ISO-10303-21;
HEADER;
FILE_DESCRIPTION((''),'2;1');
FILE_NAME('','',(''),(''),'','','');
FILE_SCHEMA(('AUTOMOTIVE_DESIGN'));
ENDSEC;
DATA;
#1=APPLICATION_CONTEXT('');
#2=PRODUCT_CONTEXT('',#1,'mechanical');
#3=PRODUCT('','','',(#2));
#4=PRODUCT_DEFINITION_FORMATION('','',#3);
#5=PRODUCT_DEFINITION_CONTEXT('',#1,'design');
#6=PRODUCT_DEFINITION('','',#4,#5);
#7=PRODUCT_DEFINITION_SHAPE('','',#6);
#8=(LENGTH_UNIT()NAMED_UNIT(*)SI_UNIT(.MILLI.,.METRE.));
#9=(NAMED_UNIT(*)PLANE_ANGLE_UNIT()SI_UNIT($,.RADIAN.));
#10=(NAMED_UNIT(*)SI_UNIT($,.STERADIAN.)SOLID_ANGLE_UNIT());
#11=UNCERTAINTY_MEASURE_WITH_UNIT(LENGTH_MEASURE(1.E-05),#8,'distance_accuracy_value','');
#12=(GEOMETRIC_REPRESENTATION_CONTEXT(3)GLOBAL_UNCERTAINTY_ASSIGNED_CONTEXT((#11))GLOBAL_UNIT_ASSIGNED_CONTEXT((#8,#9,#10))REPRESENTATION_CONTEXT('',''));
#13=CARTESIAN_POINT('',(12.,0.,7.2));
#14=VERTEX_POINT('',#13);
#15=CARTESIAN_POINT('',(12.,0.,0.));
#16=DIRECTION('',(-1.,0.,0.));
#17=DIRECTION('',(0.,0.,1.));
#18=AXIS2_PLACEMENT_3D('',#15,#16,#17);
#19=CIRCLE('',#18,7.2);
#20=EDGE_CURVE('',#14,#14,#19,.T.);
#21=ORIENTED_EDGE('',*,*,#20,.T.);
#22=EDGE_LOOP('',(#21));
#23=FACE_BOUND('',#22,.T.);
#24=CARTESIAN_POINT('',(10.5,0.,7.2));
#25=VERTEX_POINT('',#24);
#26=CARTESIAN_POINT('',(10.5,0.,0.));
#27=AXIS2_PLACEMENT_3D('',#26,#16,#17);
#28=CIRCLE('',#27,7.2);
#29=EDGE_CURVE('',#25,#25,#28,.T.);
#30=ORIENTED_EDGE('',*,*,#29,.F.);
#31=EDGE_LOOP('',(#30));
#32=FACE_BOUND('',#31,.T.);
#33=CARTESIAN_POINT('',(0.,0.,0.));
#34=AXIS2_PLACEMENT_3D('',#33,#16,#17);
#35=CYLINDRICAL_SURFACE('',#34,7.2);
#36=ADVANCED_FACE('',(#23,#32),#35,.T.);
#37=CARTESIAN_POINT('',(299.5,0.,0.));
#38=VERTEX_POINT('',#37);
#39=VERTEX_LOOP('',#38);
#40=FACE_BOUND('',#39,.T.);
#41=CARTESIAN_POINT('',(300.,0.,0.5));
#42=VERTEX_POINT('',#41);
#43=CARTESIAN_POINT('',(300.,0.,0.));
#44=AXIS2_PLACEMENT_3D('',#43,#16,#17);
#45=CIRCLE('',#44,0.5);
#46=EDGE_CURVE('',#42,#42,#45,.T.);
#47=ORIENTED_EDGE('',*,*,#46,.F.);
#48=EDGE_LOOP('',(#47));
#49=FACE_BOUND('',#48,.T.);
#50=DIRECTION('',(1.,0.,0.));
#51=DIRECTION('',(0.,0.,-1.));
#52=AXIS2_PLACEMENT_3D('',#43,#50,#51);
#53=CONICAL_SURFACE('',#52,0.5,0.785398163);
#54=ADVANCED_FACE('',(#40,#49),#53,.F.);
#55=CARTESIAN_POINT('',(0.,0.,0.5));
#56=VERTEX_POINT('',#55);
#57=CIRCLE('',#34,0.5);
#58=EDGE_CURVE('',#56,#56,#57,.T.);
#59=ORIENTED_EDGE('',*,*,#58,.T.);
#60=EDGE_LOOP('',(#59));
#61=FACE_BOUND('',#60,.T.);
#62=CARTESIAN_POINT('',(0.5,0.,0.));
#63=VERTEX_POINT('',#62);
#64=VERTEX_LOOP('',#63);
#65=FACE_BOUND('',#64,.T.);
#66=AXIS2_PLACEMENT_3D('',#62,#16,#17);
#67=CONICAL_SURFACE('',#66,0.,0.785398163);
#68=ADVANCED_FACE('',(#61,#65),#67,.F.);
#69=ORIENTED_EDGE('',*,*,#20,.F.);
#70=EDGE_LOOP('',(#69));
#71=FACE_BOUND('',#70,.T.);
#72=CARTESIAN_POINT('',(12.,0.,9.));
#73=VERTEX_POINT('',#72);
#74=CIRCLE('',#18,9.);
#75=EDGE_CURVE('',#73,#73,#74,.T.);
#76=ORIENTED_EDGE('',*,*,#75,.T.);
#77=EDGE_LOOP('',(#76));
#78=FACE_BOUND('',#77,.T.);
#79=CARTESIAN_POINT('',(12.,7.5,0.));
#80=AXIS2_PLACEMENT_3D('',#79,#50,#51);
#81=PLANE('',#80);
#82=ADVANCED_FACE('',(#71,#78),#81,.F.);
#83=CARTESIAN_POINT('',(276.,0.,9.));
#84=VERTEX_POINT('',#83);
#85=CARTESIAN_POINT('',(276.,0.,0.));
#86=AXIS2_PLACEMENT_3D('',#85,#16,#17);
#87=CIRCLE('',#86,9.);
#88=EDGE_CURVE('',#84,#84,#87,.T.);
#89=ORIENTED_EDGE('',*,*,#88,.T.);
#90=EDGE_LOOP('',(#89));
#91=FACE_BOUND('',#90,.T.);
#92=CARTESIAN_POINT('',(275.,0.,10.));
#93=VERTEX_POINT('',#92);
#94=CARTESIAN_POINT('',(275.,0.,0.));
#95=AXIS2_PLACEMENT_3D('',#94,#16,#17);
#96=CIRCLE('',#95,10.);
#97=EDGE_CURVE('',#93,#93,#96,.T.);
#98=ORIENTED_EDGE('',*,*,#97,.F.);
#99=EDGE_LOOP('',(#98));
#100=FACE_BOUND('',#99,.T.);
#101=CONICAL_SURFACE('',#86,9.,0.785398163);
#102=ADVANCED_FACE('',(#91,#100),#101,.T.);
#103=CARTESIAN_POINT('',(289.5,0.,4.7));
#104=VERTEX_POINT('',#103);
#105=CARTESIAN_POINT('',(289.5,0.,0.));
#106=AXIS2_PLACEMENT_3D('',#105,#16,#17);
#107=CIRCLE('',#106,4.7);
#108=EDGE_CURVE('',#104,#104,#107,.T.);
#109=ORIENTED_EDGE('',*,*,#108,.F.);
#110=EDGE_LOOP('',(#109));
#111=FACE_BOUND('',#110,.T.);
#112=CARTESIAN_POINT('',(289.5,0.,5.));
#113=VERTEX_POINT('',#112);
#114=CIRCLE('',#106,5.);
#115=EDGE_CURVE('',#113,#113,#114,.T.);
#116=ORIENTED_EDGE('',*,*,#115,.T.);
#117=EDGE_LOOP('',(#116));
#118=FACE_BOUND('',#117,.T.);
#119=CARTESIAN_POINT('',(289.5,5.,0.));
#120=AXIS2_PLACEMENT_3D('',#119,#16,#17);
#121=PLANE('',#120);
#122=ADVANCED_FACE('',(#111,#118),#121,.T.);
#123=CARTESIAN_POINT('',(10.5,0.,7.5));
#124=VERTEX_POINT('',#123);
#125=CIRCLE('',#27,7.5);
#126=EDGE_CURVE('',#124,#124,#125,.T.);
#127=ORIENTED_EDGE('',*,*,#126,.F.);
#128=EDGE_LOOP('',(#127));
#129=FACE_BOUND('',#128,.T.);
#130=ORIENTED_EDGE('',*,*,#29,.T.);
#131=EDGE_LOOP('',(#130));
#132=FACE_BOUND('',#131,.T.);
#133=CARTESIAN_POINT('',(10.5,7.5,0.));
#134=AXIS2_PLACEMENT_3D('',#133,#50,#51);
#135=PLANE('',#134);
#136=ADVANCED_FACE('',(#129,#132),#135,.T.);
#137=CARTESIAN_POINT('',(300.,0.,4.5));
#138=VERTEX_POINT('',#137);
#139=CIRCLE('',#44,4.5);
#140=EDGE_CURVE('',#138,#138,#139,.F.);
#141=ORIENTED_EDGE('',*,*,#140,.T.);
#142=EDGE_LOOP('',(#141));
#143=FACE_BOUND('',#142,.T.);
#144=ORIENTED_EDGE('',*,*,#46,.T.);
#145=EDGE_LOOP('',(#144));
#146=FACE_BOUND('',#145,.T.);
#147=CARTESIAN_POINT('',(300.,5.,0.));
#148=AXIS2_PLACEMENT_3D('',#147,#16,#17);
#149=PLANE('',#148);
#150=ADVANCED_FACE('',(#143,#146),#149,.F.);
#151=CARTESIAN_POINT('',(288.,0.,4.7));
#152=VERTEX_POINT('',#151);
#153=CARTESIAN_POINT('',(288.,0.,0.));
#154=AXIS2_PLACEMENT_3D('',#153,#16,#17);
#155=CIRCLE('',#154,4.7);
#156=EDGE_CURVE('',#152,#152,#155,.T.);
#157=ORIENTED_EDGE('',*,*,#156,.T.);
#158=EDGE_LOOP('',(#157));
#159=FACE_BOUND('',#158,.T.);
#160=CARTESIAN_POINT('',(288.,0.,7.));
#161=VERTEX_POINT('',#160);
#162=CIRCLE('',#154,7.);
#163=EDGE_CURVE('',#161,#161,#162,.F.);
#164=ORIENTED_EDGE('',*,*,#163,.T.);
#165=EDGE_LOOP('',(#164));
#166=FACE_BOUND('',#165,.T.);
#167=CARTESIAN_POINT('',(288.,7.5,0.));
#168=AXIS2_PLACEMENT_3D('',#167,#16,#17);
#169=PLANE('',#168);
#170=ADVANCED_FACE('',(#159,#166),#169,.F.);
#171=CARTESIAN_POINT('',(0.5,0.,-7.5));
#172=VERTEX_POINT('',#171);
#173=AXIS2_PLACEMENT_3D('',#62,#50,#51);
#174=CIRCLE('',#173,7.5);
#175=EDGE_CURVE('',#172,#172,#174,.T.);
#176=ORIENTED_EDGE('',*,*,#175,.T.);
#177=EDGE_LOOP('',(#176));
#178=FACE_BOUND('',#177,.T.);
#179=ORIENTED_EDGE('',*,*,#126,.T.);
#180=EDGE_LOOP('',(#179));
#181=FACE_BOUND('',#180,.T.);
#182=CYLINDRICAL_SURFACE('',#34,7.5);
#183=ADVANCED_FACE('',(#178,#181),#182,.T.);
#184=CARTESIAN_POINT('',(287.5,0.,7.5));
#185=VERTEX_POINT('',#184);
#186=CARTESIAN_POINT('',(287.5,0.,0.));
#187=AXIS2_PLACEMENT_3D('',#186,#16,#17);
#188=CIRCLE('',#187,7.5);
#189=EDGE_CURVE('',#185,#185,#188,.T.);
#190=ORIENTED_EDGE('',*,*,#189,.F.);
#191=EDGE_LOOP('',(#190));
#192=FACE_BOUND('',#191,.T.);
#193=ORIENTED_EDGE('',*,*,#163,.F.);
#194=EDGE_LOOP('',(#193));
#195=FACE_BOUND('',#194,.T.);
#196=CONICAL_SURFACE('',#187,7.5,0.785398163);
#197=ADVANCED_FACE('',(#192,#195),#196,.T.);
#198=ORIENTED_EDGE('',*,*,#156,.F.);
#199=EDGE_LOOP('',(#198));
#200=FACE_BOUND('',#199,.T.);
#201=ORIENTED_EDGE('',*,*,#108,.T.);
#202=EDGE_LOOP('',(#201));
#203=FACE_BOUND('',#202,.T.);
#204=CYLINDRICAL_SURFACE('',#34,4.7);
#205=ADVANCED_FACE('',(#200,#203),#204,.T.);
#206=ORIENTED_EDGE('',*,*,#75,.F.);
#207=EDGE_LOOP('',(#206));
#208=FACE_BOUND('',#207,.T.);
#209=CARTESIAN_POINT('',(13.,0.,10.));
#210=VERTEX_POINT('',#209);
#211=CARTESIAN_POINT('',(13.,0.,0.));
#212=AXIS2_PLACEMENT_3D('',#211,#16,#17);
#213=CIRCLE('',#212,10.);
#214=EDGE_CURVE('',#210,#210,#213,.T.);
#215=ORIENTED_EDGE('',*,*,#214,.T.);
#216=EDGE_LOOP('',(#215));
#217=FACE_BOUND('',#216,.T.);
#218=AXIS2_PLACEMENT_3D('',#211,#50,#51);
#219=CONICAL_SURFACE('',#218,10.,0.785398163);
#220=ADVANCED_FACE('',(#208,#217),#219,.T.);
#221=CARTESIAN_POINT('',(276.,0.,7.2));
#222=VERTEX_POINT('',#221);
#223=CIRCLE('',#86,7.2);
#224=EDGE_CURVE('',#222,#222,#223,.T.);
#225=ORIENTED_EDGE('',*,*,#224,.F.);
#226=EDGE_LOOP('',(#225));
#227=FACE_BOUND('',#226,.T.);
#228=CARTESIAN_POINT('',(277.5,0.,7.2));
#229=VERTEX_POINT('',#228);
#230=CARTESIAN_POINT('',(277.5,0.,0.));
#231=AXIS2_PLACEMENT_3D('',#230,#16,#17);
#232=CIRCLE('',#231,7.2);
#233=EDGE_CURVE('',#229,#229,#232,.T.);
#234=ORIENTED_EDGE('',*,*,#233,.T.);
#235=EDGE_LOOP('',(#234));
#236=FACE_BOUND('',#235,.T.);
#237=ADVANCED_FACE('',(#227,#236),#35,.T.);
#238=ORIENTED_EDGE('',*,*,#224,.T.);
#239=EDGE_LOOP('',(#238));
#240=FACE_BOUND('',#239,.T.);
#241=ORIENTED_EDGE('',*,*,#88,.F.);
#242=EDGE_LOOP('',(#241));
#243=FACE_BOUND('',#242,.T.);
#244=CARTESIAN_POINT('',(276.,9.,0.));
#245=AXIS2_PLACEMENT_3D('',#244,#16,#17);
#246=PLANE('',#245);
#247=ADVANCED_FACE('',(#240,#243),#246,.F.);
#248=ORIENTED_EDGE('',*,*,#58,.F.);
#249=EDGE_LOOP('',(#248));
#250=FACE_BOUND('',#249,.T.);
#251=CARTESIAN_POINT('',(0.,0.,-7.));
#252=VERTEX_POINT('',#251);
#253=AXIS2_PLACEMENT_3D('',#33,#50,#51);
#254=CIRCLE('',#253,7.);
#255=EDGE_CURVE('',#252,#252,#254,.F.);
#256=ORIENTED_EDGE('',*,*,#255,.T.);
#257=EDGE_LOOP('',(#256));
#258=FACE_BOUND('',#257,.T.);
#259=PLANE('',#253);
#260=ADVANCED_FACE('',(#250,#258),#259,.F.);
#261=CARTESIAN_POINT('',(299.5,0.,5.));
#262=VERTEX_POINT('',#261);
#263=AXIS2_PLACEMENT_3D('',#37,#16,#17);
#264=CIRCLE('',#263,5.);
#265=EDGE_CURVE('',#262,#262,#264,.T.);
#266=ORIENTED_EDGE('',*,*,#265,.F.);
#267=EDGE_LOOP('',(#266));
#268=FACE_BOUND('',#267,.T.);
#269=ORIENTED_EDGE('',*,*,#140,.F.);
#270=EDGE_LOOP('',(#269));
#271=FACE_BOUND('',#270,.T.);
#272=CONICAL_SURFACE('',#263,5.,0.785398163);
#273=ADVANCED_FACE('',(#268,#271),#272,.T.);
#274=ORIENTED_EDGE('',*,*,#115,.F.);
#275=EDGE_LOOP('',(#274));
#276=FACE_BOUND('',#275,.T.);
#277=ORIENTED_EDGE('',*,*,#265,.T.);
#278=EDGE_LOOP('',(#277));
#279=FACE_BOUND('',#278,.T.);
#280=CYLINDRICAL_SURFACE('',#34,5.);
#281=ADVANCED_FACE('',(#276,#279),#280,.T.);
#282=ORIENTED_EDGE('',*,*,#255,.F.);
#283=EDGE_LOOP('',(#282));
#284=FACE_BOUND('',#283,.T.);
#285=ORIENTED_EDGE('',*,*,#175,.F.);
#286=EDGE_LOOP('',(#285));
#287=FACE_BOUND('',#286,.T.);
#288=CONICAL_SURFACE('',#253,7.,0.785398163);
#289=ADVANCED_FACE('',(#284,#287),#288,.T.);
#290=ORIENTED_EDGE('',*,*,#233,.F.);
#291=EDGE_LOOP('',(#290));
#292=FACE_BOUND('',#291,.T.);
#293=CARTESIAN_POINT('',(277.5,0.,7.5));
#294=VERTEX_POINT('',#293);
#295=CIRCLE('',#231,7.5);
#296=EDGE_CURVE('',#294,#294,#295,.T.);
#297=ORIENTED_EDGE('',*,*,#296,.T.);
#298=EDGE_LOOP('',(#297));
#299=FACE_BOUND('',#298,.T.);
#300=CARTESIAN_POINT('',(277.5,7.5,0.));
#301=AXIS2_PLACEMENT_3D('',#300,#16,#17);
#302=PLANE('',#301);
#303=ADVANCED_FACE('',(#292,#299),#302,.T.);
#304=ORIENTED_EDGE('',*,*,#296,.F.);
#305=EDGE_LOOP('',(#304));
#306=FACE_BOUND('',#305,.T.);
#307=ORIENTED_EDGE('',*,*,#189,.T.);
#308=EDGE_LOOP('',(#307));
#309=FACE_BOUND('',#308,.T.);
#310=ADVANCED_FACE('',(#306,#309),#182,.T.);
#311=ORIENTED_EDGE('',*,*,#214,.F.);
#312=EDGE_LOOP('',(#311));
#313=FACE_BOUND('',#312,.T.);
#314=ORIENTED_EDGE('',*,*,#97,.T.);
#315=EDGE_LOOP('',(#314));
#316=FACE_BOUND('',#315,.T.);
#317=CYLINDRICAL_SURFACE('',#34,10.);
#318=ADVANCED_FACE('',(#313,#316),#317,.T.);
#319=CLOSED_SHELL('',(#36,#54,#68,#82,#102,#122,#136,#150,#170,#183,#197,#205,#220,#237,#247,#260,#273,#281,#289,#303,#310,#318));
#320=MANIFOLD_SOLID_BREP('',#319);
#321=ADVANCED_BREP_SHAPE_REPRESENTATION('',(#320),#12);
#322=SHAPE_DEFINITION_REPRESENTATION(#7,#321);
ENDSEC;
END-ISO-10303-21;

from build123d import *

# Parameters (mm, degrees)
CHAMFER1_SIZE = 0.5
SKETCH3_W     = 1.5
SKETCH3_H     = 0.3


with BuildPart() as part:
    # Sketch1 → Revolve1 (revolve)
    with BuildSketch(Plane.XY):
        Polygon((0, 0), (0, 7.5), (12, 7.5), (12, 9), (13, 10), (275, 10), (276, 9), (276, 7.5), (288, 7.5), (288, 5), (300, 5), (300, 0), align=None)
    revolve(axis=Axis((0, 0, 0), (1, 0, 0)))

    # Chamfer1
    chamfer1_edges = [part.edges().sort_by_distance(p)[0] for p in [
        (300, -5, 0),
        (288, -7.5, 0),
        (0, -7.5, 0),
    ]]
    chamfer(chamfer1_edges, length=CHAMFER1_SIZE)

    # Sketch2 → Cut-Revolve1 (revolve, cut)
    with BuildSketch(Plane.XY):
        Polygon((0, 0), (0, 0.5), (0.5, 0), align=None)
        Polygon((300, 0), (300, 0.5), (299.5, 0), align=None)
    revolve(axis=Axis((0, 0, 0), (1, 0, 0)), mode=Mode.SUBTRACT)

    # Sketch3 → Cut-Revolve2 (revolve, cut)
    with BuildSketch(Plane.XY):
        with Locations((11.25, 7.35)):
            Rectangle(SKETCH3_W, SKETCH3_H)
        with Locations((276.75, 7.35)):
            Rectangle(SKETCH3_W, SKETCH3_H)
        with Locations((288.75, 4.85)):
            Rectangle(SKETCH3_W, SKETCH3_H)
    revolve(axis=Axis((0, 0, 0), (1, 0, 0)), mode=Mode.SUBTRACT)


solid = part.part
